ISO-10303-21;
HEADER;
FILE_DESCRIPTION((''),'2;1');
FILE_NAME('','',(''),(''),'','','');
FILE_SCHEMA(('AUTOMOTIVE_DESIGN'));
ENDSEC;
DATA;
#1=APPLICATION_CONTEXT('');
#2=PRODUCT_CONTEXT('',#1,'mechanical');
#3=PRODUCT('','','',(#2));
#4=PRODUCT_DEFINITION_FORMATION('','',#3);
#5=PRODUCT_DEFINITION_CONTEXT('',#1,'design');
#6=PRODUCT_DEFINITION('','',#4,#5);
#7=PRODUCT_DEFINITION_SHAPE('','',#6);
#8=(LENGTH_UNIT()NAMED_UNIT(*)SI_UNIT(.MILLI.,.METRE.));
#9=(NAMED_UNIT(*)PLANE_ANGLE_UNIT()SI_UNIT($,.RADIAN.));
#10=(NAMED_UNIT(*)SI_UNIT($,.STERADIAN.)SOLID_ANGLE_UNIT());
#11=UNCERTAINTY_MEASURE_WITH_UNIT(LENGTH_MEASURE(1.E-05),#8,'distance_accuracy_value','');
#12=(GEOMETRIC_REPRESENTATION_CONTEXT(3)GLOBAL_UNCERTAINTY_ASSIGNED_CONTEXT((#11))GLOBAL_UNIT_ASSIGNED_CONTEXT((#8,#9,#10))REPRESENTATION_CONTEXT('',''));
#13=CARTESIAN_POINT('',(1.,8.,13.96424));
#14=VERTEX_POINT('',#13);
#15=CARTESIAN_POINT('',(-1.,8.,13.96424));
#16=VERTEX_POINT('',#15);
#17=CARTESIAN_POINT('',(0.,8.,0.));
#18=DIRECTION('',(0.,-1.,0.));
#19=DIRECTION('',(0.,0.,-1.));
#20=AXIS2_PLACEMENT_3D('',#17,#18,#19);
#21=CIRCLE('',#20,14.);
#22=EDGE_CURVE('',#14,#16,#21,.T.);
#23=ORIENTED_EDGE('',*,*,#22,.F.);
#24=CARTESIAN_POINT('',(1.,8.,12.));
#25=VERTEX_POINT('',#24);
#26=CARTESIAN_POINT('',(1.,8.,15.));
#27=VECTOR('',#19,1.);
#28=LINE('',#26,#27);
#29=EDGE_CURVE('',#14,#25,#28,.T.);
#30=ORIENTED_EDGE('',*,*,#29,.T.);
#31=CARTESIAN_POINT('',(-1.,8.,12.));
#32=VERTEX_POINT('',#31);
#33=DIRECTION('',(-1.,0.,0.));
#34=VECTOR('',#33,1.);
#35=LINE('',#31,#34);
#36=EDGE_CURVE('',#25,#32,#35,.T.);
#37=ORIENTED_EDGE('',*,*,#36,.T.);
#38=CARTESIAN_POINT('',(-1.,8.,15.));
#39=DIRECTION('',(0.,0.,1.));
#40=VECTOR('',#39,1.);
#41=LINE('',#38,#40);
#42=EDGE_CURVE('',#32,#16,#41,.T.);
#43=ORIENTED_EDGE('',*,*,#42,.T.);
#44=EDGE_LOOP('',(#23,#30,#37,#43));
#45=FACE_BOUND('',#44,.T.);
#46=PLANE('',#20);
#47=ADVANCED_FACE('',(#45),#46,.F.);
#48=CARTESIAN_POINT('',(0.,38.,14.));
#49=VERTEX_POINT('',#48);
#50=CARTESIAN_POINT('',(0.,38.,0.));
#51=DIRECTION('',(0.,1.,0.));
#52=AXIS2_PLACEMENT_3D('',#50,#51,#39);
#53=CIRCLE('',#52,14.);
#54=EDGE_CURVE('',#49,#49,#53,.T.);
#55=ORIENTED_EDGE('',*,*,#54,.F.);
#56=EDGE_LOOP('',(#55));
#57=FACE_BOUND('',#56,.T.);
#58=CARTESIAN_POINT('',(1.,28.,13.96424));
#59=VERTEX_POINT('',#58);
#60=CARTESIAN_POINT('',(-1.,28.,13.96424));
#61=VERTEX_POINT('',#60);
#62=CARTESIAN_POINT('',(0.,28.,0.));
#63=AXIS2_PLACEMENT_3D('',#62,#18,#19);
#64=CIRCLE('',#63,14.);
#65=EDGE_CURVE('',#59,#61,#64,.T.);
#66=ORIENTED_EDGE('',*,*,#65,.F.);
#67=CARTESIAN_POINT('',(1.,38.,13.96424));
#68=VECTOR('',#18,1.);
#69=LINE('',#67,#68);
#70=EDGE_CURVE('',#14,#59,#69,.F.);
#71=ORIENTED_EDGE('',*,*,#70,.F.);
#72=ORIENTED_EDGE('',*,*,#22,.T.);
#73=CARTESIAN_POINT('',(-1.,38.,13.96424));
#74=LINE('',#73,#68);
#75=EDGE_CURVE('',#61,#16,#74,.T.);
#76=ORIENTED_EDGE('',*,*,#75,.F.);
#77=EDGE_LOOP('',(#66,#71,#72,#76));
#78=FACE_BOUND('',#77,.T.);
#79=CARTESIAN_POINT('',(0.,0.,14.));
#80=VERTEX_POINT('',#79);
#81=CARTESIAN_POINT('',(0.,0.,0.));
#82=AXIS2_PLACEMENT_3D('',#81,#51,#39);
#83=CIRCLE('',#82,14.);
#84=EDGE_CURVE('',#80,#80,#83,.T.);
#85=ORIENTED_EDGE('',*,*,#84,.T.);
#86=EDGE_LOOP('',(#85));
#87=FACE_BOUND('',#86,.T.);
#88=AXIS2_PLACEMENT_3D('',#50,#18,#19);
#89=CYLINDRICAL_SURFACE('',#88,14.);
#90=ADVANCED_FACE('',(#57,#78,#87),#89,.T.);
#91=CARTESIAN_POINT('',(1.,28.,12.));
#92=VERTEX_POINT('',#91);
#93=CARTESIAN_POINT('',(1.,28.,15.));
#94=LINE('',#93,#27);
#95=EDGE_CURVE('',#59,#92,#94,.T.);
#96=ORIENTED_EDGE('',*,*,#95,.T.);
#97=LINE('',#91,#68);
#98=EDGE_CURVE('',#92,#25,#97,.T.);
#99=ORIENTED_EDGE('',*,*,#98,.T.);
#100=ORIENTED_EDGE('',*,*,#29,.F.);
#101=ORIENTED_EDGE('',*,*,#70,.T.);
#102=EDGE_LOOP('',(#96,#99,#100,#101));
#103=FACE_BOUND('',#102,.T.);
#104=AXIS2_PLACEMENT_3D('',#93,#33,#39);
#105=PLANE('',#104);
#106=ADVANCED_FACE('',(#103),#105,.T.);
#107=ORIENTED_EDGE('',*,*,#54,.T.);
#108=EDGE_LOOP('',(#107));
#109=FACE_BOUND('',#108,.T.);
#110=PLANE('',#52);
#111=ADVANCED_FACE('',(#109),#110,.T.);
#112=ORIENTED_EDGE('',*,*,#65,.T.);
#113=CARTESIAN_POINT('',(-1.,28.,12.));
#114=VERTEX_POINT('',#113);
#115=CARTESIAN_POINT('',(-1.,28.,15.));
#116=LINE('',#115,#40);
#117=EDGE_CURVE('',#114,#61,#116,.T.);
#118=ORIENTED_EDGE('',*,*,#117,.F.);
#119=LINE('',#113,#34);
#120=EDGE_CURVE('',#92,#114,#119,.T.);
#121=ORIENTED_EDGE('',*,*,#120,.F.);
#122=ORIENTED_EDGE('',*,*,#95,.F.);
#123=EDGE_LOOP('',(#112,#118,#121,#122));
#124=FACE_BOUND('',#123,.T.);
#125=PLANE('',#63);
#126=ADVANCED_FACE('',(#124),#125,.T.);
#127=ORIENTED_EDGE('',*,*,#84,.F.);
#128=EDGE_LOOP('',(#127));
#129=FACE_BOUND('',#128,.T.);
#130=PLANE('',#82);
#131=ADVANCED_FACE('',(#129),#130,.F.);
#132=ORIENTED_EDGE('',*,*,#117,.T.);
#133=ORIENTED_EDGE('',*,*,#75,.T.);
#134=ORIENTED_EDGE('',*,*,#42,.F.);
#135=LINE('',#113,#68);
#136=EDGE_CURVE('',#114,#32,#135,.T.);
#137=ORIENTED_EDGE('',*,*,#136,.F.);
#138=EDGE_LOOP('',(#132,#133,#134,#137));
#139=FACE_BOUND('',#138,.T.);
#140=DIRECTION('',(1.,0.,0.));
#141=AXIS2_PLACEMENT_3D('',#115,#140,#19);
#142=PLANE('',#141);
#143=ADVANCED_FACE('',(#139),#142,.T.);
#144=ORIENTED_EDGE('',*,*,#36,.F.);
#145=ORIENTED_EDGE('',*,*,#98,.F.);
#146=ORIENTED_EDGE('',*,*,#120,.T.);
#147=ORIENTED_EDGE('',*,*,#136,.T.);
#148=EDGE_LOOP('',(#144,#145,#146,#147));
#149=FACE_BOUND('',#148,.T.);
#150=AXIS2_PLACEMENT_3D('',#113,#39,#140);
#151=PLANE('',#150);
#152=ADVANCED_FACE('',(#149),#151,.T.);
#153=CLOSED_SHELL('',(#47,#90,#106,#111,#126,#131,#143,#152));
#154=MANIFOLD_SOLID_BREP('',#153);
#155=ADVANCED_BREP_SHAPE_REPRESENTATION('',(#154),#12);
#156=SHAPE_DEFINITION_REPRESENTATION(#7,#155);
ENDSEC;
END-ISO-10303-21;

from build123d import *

# Parameters (mm, degrees)
SKETCH1_R           = 14
BOSS_EXTRUDE1_DEPTH = 38
CUT_EXTRUDE1_START  = 8
SKETCH2_W           = 2
SKETCH2_H           = 3
CUT_EXTRUDE1_DEPTH  = 20


with BuildPart() as part:
    # Sketch1 → Boss-Extrude1 (new body)
    with BuildSketch(Plane(origin=(0, 0, 0), x_dir=(1, 0, 0), z_dir=(0, 1, 0))):
        Circle(SKETCH1_R)
    extrude(amount=BOSS_EXTRUDE1_DEPTH)

    # Sketch2 → Cut-Extrude1 (cut)
    with BuildSketch(Plane(origin=(0, 0, 0), x_dir=(1, 0, 0), z_dir=(0, 1, 0)).offset(CUT_EXTRUDE1_START)):
        with Locations((0, -13.5)):
            Rectangle(SKETCH2_W, SKETCH2_H)
    extrude(amount=CUT_EXTRUDE1_DEPTH, mode=Mode.SUBTRACT)


solid = part.part
